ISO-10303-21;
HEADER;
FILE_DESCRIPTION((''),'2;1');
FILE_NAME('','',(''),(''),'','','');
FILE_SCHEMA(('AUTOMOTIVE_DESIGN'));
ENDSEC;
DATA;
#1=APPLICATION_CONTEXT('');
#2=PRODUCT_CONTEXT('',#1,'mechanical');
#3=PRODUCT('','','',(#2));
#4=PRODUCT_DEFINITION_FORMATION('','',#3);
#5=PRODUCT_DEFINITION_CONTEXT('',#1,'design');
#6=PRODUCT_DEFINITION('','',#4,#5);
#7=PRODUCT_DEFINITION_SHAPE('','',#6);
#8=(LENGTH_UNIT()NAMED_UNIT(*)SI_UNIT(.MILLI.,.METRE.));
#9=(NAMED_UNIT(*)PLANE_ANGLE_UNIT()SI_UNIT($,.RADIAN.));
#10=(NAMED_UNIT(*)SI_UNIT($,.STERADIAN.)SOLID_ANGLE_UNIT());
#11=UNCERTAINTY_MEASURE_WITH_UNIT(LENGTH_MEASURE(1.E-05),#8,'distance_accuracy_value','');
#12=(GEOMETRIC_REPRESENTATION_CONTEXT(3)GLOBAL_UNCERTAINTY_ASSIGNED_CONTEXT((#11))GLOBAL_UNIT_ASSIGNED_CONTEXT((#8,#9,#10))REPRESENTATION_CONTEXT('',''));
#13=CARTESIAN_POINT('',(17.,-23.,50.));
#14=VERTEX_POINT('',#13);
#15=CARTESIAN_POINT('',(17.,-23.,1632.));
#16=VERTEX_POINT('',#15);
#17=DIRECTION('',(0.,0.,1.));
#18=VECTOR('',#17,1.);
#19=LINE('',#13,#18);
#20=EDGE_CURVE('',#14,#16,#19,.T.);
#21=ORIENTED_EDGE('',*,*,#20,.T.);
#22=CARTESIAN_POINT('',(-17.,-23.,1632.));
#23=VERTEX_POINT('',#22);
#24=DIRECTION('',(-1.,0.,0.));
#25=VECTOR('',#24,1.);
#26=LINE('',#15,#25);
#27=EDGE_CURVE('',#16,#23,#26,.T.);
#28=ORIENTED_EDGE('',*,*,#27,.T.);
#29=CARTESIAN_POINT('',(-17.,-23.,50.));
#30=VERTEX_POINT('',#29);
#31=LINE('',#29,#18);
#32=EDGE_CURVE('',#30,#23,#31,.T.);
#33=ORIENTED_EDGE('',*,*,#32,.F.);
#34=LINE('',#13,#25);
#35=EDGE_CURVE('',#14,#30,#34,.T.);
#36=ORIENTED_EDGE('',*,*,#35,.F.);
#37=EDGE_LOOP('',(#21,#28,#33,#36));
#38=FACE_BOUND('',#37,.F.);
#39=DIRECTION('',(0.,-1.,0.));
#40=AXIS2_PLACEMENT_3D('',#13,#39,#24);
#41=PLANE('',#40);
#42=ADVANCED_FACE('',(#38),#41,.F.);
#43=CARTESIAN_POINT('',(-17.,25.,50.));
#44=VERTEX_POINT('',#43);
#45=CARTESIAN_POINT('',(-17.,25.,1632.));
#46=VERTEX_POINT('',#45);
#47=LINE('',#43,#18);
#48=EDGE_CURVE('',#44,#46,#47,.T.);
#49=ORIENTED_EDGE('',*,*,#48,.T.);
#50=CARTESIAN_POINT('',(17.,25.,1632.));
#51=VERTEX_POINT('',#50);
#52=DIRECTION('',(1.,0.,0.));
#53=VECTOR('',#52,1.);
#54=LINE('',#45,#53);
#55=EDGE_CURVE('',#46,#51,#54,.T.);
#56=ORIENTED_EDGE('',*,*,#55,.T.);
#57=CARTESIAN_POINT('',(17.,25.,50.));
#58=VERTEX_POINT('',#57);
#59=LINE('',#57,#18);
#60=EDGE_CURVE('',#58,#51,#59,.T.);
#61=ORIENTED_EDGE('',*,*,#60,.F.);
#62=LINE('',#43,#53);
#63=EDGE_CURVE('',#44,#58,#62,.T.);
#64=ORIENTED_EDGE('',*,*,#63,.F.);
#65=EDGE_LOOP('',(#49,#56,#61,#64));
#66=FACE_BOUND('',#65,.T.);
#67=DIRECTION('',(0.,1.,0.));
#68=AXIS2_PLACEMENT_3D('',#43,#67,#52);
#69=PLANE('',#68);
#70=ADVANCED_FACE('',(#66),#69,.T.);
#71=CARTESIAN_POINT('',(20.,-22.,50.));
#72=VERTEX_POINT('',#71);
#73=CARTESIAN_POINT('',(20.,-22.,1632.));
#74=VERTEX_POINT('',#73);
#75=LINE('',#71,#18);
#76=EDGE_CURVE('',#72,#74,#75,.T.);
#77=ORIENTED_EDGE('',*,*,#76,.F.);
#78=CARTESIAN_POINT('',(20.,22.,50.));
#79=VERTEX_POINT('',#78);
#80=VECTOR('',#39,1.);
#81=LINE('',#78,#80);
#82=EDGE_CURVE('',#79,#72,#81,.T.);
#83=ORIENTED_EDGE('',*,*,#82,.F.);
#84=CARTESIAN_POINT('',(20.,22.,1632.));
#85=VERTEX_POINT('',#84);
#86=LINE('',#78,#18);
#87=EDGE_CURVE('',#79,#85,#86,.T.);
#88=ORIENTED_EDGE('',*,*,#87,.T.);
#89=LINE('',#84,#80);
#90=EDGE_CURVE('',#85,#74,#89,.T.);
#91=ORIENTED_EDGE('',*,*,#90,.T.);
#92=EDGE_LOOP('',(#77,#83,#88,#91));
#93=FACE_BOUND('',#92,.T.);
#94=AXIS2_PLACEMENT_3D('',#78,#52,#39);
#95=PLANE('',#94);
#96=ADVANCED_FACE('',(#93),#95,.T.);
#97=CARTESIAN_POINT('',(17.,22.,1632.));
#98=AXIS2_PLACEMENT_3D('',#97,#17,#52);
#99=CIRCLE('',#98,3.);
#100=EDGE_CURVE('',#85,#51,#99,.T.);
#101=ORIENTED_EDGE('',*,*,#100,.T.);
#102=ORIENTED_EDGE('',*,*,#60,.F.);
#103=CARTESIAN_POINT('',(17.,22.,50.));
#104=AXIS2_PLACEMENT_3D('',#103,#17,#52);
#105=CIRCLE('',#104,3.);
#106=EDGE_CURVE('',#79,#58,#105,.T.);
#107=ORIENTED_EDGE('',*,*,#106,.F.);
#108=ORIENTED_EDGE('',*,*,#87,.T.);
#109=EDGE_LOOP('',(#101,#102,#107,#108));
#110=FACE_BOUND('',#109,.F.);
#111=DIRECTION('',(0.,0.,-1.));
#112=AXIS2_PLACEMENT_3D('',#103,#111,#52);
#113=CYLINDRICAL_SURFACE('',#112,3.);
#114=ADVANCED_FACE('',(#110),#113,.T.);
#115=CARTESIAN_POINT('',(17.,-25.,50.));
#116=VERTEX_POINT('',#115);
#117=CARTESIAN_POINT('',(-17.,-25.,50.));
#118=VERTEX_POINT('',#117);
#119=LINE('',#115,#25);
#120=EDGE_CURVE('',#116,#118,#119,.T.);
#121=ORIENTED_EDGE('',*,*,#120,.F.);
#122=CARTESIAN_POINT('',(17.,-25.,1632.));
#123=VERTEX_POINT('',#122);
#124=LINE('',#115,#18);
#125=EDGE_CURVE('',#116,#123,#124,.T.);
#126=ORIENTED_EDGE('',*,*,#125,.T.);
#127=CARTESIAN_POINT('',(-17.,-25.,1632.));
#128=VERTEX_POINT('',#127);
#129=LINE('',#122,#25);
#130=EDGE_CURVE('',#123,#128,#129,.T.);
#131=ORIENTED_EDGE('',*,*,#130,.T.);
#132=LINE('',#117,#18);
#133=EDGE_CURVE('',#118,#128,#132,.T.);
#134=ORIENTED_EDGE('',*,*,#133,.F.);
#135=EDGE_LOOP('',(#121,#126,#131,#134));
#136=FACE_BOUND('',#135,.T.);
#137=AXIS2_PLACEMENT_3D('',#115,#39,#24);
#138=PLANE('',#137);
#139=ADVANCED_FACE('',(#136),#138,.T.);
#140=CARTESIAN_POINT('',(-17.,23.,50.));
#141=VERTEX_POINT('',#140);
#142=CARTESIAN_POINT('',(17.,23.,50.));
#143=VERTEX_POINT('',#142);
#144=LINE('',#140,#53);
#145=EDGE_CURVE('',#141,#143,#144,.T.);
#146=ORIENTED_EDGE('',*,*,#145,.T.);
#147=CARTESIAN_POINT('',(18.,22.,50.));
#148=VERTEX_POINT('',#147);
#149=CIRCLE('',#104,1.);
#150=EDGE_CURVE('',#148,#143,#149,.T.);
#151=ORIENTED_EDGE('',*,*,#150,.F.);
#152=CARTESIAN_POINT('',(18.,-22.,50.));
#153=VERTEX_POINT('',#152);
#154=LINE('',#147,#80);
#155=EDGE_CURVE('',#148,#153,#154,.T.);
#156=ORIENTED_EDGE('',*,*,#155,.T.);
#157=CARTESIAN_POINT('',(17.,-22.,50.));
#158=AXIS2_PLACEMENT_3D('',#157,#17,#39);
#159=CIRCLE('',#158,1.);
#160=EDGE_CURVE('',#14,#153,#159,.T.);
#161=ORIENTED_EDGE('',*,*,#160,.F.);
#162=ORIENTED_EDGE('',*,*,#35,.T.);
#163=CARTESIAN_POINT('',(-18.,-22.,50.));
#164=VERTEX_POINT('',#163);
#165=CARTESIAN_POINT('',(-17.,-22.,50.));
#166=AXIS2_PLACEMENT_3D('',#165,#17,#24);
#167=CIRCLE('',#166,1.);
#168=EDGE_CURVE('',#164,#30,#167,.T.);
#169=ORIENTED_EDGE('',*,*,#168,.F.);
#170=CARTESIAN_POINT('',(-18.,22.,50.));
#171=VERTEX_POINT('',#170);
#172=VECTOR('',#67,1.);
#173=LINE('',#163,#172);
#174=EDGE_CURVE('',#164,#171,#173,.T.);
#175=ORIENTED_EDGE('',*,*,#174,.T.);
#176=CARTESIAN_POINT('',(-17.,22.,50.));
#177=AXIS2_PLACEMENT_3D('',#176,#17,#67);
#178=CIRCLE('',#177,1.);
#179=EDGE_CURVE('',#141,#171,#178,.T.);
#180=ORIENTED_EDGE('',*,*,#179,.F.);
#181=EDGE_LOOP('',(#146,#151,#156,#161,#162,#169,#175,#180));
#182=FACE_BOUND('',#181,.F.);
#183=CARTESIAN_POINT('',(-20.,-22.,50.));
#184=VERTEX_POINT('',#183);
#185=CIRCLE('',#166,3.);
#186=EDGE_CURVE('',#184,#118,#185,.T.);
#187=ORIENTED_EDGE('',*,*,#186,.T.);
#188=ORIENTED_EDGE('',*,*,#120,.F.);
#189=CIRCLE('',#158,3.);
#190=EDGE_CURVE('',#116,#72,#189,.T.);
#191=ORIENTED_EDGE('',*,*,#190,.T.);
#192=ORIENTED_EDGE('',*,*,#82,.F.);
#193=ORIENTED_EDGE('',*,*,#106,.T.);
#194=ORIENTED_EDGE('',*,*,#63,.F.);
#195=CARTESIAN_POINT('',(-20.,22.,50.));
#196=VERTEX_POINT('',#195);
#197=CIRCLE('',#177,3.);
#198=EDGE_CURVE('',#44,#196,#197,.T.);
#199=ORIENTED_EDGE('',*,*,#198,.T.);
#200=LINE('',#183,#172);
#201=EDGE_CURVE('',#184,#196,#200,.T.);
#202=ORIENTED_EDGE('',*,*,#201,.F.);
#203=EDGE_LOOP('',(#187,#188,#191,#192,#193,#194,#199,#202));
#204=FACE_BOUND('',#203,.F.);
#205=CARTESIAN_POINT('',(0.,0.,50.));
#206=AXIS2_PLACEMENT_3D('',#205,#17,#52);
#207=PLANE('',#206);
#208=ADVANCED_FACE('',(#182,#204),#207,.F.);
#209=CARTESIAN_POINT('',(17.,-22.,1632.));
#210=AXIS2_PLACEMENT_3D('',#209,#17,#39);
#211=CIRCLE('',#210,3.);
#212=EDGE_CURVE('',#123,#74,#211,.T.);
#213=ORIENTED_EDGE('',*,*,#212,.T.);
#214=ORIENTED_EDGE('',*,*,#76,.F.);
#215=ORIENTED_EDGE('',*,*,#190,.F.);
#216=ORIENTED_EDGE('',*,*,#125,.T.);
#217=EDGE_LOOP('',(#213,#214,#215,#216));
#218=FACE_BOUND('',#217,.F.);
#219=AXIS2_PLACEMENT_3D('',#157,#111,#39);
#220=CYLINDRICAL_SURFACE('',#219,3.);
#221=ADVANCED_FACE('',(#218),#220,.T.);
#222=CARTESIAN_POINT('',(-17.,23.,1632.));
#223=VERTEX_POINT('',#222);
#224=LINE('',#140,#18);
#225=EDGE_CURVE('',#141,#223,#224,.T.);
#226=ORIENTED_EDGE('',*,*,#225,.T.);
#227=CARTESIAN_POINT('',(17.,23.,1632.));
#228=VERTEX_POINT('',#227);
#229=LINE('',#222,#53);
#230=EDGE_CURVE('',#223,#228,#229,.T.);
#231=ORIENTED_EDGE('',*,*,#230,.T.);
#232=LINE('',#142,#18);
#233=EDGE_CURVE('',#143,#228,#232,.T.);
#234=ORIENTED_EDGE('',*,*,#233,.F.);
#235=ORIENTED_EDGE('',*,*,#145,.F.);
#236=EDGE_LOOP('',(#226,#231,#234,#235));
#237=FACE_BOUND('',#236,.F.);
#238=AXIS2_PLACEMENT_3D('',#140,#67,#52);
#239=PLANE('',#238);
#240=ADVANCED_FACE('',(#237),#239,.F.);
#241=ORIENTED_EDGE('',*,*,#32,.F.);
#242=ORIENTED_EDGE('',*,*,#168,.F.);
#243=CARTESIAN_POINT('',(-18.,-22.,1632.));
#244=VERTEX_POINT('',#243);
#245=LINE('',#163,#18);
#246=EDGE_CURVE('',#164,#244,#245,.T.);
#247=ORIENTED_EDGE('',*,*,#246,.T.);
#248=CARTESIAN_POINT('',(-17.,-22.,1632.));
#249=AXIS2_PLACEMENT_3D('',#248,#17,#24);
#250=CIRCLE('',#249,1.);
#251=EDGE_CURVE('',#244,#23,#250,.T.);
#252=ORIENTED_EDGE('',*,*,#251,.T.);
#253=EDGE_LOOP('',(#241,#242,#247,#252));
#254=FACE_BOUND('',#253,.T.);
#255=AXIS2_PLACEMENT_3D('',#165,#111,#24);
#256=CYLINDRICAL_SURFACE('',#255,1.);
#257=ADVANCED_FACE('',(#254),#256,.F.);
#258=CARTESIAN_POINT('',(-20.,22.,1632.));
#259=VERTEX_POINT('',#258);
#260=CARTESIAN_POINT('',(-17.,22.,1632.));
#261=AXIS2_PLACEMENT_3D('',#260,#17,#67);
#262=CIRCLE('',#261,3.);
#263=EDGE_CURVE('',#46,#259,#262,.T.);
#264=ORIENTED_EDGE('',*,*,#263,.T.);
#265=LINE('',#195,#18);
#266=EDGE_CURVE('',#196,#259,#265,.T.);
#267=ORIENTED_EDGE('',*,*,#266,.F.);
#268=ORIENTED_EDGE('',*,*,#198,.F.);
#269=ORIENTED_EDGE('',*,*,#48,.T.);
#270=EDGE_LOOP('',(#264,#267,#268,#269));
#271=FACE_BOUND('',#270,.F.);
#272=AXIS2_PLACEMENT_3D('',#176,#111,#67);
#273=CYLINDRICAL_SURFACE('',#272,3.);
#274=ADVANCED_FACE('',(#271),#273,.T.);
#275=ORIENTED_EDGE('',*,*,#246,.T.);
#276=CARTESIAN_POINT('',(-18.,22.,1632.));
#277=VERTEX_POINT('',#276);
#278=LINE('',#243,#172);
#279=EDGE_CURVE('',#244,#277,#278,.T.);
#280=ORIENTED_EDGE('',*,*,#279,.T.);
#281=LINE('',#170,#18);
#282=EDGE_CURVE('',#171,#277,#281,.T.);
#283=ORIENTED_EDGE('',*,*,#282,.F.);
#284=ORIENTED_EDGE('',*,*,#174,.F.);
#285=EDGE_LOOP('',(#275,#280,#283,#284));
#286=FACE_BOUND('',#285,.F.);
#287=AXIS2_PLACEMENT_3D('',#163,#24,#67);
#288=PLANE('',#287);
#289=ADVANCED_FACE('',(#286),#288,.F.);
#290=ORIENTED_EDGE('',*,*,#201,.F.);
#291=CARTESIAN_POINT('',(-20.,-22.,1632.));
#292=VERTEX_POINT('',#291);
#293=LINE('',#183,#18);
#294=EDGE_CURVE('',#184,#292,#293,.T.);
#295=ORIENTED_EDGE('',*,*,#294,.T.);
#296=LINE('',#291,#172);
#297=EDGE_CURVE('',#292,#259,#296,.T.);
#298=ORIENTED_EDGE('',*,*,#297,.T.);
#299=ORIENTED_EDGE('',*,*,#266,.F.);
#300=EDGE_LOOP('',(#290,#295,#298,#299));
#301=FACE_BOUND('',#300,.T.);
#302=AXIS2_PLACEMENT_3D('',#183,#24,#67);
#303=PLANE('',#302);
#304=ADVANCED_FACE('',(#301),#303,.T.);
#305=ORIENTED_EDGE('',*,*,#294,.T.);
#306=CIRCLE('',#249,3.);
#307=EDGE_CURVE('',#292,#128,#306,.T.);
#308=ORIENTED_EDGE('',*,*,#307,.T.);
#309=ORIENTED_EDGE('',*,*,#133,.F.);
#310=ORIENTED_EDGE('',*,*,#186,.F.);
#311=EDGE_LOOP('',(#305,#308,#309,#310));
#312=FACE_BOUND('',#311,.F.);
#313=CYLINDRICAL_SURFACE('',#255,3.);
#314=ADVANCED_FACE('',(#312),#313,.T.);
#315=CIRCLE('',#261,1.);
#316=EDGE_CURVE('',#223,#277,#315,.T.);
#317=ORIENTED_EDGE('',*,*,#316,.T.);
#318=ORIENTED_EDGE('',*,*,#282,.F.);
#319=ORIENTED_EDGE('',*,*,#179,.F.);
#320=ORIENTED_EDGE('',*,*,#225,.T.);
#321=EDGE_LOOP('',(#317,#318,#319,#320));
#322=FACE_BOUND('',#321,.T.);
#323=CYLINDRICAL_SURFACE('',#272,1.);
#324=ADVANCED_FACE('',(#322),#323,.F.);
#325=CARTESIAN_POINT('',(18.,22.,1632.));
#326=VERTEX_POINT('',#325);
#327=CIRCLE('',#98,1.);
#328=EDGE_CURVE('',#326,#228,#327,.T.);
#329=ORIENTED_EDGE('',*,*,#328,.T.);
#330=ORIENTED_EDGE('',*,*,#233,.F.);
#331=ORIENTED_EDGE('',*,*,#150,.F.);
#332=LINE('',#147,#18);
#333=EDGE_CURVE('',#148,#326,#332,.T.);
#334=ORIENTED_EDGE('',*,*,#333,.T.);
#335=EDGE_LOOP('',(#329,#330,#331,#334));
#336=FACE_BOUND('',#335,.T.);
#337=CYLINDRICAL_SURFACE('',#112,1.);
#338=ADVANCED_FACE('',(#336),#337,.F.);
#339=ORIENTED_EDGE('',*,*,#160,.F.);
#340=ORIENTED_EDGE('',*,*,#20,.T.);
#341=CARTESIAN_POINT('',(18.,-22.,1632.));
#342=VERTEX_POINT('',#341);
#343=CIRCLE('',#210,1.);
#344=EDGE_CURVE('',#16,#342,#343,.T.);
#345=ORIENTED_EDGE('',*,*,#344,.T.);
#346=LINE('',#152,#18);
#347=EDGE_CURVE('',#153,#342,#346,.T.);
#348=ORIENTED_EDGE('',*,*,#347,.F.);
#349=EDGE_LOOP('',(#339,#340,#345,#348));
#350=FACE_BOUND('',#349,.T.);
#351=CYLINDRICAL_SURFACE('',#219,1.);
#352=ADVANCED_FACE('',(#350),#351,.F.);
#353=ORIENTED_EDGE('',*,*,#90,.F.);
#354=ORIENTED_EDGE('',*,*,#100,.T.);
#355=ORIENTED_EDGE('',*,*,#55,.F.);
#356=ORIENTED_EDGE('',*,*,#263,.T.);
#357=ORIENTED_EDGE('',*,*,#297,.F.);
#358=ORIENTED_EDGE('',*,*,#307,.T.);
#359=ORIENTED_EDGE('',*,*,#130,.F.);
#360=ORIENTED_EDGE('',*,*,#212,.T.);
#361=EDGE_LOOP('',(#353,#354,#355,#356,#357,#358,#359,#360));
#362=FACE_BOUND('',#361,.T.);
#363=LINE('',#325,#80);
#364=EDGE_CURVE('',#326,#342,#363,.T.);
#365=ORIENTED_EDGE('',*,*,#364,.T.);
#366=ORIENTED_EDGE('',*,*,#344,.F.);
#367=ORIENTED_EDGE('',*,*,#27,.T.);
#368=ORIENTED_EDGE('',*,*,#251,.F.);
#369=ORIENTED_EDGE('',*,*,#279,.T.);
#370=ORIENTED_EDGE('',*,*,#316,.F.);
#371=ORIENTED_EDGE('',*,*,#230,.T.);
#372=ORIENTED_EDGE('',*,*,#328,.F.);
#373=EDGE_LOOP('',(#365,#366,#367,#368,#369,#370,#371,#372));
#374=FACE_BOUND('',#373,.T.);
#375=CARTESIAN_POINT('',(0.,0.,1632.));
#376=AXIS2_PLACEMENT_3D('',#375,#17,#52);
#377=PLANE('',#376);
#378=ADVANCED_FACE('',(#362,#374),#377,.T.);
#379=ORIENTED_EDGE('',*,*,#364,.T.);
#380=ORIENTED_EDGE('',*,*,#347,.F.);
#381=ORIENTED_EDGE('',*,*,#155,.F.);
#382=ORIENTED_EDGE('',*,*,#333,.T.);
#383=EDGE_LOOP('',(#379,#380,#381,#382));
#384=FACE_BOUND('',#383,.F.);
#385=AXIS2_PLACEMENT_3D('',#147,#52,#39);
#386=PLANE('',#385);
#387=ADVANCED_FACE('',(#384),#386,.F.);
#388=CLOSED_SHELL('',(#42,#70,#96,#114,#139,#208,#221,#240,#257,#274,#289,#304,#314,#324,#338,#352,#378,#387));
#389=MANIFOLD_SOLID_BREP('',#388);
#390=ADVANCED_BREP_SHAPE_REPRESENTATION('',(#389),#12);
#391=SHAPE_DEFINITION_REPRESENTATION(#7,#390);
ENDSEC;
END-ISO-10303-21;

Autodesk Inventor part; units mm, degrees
ref_plane "Start plane" through (0, 0, 50) normal (0, 0, 1) x (1, 0, 0)
ref_plane "End plane" through (0, 0, 1632) normal (0, 0, 1) x (1, 0, 0)
sketch "Sketch" plane through (0, 0, 0) normal (0, 0, 1) x (1, 0, 0)
  line L0 (-20, -22) -> (-20, 22)
  line L1 (-17, 25) -> (17, 25)
  line L2 (20, 22) -> (20, -22)
  line L3 (17, -25) -> (-17, -25)
  arc A0 (-20, -22) -> (-17, -25) centre (-17, -22) ccw
  arc A1 (-17, 25) -> (-20, 22) centre (-17, 22) ccw
  arc A2 (20, 22) -> (17, 25) centre (17, 22) ccw
  arc A3 (17, -25) -> (20, -22) centre (17, -22) ccw
  arc A4 (-17, 23) -> (-18, 22) centre (-17, 22) ccw
  line L4 (-17, 23) -> (17, 23)
  arc A5 (18, 22) -> (17, 23) centre (17, 22) ccw
  line L5 (18, 22) -> (18, -22)
  arc A6 (17, -23) -> (18, -22) centre (17, -22) ccw
  line L6 (17, -23) -> (-17, -23)
  arc A7 (-18, -22) -> (-17, -23) centre (-17, -22) ccw
  line L7 (-18, -22) -> (-18, 22)
  line L8 (0, 35.8698) -> (0, -35.8698) construction
  line L9 (-28.8698, 0) -> (28.8698, 0) construction
  dimension "d7" = 3
  dimension "d10" = 50
  dimension "d11" = 40
  dimension "d12" = 2
  dimension "d15" = 25
  dimension "d16" = 20
extrude "Body" add sketch "Sketch" along normal up to surface (1582 mm away) from surface at 50
sketch "Sketch3" plane through (0, 0, 0) normal (0, 0, 1) x (1, 0, 0)
  line L0 (0, 0) -> (10, 0)
ref_plane "Work Plane3" through (0, 0, 0) normal (0, -1, 0) x (1, 0, 0)
sketch "Sketch4" plane through (0, 0, 0) normal (0, -1, 0) x (1, 0, 0)
  line L0 (-2, 50) -> (12, 50)
  line L1 (-2, 1632) -> (12, 1632)
  dimension "d18" = 1582
ref_plane "Work Plane4" through (17, -635, 50) normal (0, 0, -1) x (-1, 0, 0)
split "Split1" plane through (17, -635, 50) removes the side toward (0, 0, -1)
ref_plane "Work Plane5" through (-17, -673, 1632) normal (0, 0, 1) x (1, 0, 0)
split "Split2" plane through (-17, -673, 1632) removes the side toward (0, 0, 1)
equation "\"d7\" = G_IR"
equation "\"d10\" = G_H"
equation "\"d11\" = G_W"
equation "\"d12\" = G_T"
equation "\"d15\" = 0.5 * d10"
equation "\"d16\" = 0.5 * d11"
equation "\"d3\" = G_L"
equation "\"G_W\" = 40"
equation "\"G_H\" = 50"
equation "\"G_T\" = 2"
equation "\"G_IR\" = 3"
equation "\"G_L\" = d18"
equation "\"G_OFFSET_START\" = -50"
equation "\"G_OFFSET_END\" = -50"
equation "\"d13\" = -G_OFFSET_START"
equation "\"d14\" = G_OFFSET_END + B_L"
equation "\"B_L\" = 1682"
properties part number "UNI EN 10305-5 - 50 x 40 x 2  - 1582" material "Steel, Mild"
